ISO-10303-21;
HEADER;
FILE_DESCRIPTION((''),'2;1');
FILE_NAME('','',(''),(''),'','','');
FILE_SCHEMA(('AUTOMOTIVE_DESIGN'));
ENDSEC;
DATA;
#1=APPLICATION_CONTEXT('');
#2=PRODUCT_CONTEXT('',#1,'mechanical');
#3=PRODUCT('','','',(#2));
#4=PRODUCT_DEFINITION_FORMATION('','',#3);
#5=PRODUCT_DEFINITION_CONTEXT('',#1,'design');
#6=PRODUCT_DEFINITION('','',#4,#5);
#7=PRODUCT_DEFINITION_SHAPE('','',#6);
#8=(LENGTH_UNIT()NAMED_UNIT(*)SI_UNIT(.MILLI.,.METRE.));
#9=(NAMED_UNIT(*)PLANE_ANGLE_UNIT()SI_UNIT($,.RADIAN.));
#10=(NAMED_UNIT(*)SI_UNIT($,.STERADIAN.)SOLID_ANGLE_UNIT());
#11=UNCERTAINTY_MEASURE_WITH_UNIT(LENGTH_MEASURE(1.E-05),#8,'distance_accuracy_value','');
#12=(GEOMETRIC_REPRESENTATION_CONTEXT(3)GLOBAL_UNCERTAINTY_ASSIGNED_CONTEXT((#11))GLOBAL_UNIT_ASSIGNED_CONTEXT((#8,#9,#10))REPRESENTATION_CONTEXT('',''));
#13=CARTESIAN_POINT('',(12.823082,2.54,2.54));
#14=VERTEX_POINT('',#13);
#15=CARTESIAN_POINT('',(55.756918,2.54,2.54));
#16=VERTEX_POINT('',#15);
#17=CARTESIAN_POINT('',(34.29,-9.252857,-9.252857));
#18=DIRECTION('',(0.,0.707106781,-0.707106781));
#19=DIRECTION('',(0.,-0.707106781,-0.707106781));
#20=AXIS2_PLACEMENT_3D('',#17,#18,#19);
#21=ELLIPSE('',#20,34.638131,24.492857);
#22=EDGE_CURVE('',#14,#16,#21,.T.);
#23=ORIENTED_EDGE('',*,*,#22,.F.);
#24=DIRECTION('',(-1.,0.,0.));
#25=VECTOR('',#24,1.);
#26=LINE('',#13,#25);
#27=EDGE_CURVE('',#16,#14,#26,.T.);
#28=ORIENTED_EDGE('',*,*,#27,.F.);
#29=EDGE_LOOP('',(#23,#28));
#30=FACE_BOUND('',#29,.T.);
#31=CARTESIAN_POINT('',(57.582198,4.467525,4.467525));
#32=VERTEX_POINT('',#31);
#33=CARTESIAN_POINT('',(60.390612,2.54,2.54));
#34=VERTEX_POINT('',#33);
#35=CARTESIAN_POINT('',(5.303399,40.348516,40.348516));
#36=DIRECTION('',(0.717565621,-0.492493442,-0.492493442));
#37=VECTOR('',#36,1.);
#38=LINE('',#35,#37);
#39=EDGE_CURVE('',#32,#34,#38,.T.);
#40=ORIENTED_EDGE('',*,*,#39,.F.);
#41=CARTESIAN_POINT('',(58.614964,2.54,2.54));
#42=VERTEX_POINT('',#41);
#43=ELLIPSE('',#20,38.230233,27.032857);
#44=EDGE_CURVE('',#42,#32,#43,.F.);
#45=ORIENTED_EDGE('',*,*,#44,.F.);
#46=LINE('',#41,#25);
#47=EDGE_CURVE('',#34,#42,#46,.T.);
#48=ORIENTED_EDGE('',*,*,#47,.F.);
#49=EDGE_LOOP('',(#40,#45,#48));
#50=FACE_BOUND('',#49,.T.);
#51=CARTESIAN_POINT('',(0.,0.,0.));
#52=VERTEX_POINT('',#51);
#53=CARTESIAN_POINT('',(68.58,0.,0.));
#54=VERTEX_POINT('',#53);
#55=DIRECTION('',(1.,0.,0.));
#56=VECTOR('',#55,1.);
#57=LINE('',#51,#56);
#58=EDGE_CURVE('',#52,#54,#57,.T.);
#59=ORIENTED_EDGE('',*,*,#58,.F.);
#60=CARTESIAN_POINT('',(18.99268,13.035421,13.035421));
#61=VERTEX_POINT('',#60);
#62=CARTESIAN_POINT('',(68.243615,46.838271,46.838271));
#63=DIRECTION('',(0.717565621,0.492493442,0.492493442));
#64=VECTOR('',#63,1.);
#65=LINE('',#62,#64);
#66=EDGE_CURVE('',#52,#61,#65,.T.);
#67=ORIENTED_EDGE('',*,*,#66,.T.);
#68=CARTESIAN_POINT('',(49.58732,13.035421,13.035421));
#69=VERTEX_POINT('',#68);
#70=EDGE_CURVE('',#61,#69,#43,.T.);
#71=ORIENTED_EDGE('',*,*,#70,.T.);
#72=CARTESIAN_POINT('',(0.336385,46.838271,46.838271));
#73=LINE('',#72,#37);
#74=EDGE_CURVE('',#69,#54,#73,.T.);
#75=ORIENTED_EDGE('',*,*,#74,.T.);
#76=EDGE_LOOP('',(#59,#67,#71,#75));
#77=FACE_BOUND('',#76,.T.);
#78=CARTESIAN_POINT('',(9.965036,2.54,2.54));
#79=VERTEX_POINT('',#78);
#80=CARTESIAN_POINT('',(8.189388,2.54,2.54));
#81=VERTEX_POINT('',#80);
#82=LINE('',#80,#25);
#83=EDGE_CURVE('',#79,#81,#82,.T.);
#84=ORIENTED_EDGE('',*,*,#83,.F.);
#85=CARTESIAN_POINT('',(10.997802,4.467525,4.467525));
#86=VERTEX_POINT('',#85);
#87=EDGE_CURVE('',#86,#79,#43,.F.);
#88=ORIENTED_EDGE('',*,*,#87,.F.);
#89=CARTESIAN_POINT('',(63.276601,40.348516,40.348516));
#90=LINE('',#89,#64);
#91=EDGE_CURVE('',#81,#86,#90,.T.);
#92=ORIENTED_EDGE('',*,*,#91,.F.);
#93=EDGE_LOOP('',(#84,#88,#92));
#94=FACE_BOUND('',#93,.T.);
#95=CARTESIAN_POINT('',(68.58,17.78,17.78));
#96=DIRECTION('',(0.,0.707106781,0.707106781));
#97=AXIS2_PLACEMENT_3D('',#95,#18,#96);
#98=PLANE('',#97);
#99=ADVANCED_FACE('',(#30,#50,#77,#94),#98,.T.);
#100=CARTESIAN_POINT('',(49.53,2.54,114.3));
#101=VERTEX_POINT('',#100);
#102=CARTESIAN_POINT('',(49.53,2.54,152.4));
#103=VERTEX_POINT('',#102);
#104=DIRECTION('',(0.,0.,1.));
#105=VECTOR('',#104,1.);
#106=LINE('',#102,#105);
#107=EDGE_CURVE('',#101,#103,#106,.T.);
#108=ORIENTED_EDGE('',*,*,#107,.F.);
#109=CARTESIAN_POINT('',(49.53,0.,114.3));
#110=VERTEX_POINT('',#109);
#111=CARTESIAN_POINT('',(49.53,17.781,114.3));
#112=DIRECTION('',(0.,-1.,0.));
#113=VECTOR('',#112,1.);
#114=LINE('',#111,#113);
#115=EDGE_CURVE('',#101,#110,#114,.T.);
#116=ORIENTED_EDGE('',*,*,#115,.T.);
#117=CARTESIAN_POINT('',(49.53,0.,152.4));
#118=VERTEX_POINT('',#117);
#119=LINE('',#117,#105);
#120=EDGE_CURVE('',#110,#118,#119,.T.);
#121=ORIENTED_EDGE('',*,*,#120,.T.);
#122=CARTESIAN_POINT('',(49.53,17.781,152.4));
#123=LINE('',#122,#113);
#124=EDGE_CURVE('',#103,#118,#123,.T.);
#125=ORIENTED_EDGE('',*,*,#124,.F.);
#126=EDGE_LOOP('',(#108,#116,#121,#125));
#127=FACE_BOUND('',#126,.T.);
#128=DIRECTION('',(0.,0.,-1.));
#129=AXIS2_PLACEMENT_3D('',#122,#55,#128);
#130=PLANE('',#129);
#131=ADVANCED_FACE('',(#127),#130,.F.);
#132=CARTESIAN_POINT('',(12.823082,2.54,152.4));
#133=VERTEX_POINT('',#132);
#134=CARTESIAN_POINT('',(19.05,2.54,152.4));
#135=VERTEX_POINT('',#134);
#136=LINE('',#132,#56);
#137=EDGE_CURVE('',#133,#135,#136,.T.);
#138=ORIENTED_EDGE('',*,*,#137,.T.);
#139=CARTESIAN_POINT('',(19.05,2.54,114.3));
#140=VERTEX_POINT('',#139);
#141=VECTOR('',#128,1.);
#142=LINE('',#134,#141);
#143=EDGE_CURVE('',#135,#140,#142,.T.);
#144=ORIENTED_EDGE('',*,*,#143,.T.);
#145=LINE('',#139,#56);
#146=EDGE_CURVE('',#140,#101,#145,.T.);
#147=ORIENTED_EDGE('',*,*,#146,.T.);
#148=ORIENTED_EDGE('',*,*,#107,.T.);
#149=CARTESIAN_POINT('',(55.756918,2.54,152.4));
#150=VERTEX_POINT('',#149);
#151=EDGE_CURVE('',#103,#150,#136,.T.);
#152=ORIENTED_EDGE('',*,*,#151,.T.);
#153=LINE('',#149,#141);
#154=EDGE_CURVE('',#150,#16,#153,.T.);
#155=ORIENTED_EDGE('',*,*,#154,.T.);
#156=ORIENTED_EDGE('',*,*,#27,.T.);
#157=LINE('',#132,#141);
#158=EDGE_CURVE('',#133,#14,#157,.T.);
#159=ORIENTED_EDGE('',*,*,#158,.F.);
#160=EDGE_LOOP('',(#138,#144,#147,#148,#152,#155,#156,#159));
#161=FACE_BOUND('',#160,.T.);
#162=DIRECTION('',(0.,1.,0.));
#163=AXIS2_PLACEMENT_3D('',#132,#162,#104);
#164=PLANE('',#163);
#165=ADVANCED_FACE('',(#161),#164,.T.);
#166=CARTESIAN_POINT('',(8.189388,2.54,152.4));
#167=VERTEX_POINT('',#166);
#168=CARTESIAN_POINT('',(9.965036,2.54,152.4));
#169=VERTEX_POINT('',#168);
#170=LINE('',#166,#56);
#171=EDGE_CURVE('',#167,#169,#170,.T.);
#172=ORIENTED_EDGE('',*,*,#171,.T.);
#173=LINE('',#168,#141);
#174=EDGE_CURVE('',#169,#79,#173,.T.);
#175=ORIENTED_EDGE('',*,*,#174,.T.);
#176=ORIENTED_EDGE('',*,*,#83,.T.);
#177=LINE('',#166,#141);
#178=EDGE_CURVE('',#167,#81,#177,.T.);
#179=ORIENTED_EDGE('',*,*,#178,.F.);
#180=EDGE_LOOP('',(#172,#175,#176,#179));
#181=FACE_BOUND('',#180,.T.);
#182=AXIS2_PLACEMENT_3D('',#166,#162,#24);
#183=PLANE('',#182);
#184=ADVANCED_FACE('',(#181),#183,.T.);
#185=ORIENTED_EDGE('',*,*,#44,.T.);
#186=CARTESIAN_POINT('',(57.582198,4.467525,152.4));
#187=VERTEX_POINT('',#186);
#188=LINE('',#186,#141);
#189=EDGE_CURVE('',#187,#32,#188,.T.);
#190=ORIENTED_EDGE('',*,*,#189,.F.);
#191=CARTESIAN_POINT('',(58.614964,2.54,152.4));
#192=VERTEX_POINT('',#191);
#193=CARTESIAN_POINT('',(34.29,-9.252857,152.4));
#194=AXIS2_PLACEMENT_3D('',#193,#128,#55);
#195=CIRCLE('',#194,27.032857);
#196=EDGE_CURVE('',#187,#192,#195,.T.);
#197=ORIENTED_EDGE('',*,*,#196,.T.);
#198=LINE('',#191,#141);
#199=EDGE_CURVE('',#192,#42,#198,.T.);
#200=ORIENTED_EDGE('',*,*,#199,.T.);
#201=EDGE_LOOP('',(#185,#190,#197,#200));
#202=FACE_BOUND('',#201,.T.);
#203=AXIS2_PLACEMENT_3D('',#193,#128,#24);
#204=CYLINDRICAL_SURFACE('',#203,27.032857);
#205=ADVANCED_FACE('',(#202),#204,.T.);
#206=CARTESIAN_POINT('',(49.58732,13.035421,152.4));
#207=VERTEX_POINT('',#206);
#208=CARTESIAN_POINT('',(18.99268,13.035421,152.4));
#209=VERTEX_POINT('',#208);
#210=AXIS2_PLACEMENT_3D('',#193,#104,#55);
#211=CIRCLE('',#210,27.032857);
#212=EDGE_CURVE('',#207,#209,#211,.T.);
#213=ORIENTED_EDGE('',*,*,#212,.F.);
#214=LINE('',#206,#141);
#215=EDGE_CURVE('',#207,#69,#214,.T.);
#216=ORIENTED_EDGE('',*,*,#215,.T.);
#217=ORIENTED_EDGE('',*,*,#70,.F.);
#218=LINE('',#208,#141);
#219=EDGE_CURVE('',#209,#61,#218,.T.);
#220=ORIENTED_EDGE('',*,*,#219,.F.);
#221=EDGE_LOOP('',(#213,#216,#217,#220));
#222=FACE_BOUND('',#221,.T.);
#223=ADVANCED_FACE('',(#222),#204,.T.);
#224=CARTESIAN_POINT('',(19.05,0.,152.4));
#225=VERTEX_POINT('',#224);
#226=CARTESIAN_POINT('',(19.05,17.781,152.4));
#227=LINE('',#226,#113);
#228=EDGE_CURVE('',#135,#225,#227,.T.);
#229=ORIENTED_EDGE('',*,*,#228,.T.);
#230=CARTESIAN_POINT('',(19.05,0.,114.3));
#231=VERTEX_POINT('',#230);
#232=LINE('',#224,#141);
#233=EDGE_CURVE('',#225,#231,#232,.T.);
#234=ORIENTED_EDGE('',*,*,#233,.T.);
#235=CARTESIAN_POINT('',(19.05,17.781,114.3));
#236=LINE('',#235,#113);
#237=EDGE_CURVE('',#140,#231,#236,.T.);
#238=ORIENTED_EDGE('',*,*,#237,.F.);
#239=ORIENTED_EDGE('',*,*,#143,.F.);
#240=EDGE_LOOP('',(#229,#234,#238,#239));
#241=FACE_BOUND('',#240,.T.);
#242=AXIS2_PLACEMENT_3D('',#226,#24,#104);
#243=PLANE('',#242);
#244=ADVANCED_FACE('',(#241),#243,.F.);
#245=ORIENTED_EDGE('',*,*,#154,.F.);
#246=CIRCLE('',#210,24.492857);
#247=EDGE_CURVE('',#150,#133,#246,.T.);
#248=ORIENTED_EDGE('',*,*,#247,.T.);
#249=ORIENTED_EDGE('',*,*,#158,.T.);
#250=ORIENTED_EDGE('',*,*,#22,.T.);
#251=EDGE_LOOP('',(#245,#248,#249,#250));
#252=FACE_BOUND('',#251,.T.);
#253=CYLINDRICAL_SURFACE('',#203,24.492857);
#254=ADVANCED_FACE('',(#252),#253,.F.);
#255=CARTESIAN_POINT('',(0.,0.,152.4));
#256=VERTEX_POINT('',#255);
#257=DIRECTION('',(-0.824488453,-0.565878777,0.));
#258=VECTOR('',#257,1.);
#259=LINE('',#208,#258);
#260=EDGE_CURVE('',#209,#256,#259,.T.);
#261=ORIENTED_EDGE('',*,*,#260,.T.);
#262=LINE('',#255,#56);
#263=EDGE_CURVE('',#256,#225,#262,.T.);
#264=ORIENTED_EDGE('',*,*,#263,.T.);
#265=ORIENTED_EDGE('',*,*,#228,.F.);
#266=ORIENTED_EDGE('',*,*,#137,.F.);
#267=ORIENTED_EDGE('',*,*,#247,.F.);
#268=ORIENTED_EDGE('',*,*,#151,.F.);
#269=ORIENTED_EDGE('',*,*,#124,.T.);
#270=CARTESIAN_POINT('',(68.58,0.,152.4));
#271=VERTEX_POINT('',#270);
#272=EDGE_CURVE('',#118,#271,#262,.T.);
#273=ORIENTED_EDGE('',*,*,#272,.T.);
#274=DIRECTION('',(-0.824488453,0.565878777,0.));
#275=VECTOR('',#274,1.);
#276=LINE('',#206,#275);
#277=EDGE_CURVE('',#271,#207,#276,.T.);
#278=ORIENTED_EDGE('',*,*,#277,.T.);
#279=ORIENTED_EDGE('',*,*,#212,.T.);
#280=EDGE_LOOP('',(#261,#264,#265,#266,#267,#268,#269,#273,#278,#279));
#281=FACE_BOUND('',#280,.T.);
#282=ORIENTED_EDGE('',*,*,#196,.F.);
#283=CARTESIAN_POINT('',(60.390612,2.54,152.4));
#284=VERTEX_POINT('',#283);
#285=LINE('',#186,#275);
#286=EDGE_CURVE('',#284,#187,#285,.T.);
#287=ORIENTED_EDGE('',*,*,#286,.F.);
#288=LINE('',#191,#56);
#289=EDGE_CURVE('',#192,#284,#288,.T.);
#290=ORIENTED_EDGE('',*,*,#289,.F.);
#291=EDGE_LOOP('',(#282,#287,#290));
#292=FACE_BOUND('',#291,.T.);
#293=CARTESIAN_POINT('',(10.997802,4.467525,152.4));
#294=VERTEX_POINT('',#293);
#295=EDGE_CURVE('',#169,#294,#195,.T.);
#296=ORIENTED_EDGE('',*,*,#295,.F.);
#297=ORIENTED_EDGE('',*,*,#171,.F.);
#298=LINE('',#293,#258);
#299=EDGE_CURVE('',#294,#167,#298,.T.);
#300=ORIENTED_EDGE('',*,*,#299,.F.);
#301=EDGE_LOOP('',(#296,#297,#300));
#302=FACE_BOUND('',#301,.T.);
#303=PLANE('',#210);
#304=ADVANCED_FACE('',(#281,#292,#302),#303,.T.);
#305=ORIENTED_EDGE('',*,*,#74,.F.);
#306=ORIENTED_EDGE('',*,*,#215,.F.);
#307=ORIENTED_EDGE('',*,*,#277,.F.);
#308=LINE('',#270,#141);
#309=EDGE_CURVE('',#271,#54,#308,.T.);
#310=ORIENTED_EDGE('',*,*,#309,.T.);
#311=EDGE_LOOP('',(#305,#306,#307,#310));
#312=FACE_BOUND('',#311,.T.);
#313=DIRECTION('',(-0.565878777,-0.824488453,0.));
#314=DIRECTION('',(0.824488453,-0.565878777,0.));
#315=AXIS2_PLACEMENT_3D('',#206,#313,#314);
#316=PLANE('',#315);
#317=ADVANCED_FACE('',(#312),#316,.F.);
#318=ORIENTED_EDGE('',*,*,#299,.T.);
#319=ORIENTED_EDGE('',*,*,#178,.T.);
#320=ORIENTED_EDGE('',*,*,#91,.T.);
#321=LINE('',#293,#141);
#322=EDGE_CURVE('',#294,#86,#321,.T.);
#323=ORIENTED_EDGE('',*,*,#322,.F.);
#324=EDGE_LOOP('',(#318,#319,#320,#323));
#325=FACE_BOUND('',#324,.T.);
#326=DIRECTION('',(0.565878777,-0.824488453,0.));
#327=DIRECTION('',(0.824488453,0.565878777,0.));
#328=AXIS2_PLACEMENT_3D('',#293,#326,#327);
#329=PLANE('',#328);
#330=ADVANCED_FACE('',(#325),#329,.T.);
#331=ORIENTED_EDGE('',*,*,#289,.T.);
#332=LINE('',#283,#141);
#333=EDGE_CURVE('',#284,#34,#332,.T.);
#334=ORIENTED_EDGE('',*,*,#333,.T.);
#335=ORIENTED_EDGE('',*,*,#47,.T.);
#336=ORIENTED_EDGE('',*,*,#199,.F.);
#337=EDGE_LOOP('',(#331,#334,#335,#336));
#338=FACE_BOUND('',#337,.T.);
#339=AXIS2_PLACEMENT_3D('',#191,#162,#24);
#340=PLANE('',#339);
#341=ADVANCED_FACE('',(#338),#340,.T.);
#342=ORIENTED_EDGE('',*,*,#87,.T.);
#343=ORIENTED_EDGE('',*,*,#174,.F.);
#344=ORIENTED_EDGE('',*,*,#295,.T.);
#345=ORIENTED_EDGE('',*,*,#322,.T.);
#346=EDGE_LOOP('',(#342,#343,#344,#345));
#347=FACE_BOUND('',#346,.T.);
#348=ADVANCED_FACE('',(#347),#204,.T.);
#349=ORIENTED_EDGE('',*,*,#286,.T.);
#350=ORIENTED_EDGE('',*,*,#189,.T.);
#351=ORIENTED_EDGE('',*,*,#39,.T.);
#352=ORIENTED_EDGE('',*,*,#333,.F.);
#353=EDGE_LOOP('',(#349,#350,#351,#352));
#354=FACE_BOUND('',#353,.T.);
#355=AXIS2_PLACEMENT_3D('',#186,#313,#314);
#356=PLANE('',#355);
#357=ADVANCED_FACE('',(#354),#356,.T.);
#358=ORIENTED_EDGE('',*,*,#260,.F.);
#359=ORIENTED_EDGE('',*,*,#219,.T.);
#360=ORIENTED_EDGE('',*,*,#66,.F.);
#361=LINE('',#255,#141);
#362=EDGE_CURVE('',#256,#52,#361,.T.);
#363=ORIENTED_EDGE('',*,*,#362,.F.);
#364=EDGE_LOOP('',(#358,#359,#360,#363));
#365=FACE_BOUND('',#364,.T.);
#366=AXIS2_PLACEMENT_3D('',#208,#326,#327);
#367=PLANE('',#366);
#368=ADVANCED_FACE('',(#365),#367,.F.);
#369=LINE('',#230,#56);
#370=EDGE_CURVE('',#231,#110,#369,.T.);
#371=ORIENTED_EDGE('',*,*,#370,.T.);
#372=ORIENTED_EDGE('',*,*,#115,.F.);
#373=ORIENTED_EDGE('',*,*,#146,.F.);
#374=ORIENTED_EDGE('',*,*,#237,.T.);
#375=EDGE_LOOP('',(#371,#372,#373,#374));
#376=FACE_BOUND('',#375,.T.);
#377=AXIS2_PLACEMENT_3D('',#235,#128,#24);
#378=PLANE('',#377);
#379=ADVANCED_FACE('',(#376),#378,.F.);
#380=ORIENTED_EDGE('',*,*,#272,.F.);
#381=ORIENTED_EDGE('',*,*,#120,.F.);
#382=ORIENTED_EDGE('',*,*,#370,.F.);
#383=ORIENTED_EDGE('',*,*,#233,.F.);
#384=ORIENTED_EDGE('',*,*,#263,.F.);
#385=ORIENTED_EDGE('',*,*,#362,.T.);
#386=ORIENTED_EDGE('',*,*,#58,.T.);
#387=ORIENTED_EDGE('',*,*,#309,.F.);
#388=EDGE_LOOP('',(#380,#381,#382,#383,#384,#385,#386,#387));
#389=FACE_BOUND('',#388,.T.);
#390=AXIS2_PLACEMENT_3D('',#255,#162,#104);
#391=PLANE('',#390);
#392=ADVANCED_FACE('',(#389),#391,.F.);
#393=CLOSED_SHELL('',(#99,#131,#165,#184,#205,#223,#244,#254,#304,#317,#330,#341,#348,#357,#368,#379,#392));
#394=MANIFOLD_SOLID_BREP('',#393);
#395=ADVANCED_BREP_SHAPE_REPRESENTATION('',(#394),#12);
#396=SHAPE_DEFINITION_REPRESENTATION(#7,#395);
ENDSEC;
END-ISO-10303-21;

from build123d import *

# Parameters (mm, degrees)
BOSS_EXTRUDE1_DEPTH = 152.4
CUT_EXTRUDE1_DEPTH  = 69.58
CUT_EXTRUDE2_REACH  = 19.78
SKETCH4_W           = 30.48
SKETCH4_H           = 38.1


with BuildPart() as part:
    # Sketch2 → Boss-Extrude1 (new body)
    with BuildSketch(Plane.XY):
        with BuildLine():
            Line((0, 0), (68.58, 0))
            Line((68.58, 0), (49.587320143, 13.03542143))
            ThreePointArc((49.587320143, 13.03542143), (34.29, 17.78), (18.992679857, 13.03542143))
            Line((18.992679857, 13.03542143), (0, 0))
        make_face()
        with BuildLine():
            Line((10.997802271, 4.46752515), (8.189387654, 2.54))
            Line((8.189387654, 2.54), (9.965035751, 2.54))
            ThreePointArc((9.965035751, 2.54), (10.461920618, 3.514209799), (10.997802271, 4.46752515))
        make_face(mode=Mode.SUBTRACT)
        with BuildLine():
            Line((57.582197729, 4.46752515), (60.390612346, 2.54))
            Line((60.390612346, 2.54), (58.614964249, 2.54))
            ThreePointArc((58.614964249, 2.54), (58.118079382, 3.514209799), (57.582197729, 4.46752515))
        make_face(mode=Mode.SUBTRACT)
        with BuildLine():
            Line((12.82308193, 2.54), (55.75691807, 2.54))
            ThreePointArc((55.75691807, 2.54), (34.29, 15.24), (12.82308193, 2.54))
        make_face(mode=Mode.SUBTRACT)
    extrude(amount=BOSS_EXTRUDE1_DEPTH)

    # Sketch3 → Cut-Extrude1 (cut, through all)
    with BuildSketch(Plane(origin=(0, 0, 0), x_dir=(0, 0, -1), z_dir=(1, 0, 0))):
        Polygon((-17.78, 17.78), (0, 0), (0, 17.78), align=None)
    extrude(amount=CUT_EXTRUDE1_DEPTH, mode=Mode.SUBTRACT)

    # Sketch4 → Cut-Extrude2 (cut, up to next)
    with BuildSketch(Plane.XZ, mode=Mode.PRIVATE) as cut_extrude2_sk1:
        with Locations((34.29, 133.35)):
            Rectangle(SKETCH4_W, SKETCH4_H)
    cut_extrude2_tool1 = extrude(cut_extrude2_sk1.sketch, amount=-CUT_EXTRUDE2_REACH, mode=Mode.PRIVATE) & part.part
    add(cut_extrude2_tool1.solids().sort_by_distance((34.29, 0, 133.35))[0], mode=Mode.SUBTRACT)


solid = part.part
